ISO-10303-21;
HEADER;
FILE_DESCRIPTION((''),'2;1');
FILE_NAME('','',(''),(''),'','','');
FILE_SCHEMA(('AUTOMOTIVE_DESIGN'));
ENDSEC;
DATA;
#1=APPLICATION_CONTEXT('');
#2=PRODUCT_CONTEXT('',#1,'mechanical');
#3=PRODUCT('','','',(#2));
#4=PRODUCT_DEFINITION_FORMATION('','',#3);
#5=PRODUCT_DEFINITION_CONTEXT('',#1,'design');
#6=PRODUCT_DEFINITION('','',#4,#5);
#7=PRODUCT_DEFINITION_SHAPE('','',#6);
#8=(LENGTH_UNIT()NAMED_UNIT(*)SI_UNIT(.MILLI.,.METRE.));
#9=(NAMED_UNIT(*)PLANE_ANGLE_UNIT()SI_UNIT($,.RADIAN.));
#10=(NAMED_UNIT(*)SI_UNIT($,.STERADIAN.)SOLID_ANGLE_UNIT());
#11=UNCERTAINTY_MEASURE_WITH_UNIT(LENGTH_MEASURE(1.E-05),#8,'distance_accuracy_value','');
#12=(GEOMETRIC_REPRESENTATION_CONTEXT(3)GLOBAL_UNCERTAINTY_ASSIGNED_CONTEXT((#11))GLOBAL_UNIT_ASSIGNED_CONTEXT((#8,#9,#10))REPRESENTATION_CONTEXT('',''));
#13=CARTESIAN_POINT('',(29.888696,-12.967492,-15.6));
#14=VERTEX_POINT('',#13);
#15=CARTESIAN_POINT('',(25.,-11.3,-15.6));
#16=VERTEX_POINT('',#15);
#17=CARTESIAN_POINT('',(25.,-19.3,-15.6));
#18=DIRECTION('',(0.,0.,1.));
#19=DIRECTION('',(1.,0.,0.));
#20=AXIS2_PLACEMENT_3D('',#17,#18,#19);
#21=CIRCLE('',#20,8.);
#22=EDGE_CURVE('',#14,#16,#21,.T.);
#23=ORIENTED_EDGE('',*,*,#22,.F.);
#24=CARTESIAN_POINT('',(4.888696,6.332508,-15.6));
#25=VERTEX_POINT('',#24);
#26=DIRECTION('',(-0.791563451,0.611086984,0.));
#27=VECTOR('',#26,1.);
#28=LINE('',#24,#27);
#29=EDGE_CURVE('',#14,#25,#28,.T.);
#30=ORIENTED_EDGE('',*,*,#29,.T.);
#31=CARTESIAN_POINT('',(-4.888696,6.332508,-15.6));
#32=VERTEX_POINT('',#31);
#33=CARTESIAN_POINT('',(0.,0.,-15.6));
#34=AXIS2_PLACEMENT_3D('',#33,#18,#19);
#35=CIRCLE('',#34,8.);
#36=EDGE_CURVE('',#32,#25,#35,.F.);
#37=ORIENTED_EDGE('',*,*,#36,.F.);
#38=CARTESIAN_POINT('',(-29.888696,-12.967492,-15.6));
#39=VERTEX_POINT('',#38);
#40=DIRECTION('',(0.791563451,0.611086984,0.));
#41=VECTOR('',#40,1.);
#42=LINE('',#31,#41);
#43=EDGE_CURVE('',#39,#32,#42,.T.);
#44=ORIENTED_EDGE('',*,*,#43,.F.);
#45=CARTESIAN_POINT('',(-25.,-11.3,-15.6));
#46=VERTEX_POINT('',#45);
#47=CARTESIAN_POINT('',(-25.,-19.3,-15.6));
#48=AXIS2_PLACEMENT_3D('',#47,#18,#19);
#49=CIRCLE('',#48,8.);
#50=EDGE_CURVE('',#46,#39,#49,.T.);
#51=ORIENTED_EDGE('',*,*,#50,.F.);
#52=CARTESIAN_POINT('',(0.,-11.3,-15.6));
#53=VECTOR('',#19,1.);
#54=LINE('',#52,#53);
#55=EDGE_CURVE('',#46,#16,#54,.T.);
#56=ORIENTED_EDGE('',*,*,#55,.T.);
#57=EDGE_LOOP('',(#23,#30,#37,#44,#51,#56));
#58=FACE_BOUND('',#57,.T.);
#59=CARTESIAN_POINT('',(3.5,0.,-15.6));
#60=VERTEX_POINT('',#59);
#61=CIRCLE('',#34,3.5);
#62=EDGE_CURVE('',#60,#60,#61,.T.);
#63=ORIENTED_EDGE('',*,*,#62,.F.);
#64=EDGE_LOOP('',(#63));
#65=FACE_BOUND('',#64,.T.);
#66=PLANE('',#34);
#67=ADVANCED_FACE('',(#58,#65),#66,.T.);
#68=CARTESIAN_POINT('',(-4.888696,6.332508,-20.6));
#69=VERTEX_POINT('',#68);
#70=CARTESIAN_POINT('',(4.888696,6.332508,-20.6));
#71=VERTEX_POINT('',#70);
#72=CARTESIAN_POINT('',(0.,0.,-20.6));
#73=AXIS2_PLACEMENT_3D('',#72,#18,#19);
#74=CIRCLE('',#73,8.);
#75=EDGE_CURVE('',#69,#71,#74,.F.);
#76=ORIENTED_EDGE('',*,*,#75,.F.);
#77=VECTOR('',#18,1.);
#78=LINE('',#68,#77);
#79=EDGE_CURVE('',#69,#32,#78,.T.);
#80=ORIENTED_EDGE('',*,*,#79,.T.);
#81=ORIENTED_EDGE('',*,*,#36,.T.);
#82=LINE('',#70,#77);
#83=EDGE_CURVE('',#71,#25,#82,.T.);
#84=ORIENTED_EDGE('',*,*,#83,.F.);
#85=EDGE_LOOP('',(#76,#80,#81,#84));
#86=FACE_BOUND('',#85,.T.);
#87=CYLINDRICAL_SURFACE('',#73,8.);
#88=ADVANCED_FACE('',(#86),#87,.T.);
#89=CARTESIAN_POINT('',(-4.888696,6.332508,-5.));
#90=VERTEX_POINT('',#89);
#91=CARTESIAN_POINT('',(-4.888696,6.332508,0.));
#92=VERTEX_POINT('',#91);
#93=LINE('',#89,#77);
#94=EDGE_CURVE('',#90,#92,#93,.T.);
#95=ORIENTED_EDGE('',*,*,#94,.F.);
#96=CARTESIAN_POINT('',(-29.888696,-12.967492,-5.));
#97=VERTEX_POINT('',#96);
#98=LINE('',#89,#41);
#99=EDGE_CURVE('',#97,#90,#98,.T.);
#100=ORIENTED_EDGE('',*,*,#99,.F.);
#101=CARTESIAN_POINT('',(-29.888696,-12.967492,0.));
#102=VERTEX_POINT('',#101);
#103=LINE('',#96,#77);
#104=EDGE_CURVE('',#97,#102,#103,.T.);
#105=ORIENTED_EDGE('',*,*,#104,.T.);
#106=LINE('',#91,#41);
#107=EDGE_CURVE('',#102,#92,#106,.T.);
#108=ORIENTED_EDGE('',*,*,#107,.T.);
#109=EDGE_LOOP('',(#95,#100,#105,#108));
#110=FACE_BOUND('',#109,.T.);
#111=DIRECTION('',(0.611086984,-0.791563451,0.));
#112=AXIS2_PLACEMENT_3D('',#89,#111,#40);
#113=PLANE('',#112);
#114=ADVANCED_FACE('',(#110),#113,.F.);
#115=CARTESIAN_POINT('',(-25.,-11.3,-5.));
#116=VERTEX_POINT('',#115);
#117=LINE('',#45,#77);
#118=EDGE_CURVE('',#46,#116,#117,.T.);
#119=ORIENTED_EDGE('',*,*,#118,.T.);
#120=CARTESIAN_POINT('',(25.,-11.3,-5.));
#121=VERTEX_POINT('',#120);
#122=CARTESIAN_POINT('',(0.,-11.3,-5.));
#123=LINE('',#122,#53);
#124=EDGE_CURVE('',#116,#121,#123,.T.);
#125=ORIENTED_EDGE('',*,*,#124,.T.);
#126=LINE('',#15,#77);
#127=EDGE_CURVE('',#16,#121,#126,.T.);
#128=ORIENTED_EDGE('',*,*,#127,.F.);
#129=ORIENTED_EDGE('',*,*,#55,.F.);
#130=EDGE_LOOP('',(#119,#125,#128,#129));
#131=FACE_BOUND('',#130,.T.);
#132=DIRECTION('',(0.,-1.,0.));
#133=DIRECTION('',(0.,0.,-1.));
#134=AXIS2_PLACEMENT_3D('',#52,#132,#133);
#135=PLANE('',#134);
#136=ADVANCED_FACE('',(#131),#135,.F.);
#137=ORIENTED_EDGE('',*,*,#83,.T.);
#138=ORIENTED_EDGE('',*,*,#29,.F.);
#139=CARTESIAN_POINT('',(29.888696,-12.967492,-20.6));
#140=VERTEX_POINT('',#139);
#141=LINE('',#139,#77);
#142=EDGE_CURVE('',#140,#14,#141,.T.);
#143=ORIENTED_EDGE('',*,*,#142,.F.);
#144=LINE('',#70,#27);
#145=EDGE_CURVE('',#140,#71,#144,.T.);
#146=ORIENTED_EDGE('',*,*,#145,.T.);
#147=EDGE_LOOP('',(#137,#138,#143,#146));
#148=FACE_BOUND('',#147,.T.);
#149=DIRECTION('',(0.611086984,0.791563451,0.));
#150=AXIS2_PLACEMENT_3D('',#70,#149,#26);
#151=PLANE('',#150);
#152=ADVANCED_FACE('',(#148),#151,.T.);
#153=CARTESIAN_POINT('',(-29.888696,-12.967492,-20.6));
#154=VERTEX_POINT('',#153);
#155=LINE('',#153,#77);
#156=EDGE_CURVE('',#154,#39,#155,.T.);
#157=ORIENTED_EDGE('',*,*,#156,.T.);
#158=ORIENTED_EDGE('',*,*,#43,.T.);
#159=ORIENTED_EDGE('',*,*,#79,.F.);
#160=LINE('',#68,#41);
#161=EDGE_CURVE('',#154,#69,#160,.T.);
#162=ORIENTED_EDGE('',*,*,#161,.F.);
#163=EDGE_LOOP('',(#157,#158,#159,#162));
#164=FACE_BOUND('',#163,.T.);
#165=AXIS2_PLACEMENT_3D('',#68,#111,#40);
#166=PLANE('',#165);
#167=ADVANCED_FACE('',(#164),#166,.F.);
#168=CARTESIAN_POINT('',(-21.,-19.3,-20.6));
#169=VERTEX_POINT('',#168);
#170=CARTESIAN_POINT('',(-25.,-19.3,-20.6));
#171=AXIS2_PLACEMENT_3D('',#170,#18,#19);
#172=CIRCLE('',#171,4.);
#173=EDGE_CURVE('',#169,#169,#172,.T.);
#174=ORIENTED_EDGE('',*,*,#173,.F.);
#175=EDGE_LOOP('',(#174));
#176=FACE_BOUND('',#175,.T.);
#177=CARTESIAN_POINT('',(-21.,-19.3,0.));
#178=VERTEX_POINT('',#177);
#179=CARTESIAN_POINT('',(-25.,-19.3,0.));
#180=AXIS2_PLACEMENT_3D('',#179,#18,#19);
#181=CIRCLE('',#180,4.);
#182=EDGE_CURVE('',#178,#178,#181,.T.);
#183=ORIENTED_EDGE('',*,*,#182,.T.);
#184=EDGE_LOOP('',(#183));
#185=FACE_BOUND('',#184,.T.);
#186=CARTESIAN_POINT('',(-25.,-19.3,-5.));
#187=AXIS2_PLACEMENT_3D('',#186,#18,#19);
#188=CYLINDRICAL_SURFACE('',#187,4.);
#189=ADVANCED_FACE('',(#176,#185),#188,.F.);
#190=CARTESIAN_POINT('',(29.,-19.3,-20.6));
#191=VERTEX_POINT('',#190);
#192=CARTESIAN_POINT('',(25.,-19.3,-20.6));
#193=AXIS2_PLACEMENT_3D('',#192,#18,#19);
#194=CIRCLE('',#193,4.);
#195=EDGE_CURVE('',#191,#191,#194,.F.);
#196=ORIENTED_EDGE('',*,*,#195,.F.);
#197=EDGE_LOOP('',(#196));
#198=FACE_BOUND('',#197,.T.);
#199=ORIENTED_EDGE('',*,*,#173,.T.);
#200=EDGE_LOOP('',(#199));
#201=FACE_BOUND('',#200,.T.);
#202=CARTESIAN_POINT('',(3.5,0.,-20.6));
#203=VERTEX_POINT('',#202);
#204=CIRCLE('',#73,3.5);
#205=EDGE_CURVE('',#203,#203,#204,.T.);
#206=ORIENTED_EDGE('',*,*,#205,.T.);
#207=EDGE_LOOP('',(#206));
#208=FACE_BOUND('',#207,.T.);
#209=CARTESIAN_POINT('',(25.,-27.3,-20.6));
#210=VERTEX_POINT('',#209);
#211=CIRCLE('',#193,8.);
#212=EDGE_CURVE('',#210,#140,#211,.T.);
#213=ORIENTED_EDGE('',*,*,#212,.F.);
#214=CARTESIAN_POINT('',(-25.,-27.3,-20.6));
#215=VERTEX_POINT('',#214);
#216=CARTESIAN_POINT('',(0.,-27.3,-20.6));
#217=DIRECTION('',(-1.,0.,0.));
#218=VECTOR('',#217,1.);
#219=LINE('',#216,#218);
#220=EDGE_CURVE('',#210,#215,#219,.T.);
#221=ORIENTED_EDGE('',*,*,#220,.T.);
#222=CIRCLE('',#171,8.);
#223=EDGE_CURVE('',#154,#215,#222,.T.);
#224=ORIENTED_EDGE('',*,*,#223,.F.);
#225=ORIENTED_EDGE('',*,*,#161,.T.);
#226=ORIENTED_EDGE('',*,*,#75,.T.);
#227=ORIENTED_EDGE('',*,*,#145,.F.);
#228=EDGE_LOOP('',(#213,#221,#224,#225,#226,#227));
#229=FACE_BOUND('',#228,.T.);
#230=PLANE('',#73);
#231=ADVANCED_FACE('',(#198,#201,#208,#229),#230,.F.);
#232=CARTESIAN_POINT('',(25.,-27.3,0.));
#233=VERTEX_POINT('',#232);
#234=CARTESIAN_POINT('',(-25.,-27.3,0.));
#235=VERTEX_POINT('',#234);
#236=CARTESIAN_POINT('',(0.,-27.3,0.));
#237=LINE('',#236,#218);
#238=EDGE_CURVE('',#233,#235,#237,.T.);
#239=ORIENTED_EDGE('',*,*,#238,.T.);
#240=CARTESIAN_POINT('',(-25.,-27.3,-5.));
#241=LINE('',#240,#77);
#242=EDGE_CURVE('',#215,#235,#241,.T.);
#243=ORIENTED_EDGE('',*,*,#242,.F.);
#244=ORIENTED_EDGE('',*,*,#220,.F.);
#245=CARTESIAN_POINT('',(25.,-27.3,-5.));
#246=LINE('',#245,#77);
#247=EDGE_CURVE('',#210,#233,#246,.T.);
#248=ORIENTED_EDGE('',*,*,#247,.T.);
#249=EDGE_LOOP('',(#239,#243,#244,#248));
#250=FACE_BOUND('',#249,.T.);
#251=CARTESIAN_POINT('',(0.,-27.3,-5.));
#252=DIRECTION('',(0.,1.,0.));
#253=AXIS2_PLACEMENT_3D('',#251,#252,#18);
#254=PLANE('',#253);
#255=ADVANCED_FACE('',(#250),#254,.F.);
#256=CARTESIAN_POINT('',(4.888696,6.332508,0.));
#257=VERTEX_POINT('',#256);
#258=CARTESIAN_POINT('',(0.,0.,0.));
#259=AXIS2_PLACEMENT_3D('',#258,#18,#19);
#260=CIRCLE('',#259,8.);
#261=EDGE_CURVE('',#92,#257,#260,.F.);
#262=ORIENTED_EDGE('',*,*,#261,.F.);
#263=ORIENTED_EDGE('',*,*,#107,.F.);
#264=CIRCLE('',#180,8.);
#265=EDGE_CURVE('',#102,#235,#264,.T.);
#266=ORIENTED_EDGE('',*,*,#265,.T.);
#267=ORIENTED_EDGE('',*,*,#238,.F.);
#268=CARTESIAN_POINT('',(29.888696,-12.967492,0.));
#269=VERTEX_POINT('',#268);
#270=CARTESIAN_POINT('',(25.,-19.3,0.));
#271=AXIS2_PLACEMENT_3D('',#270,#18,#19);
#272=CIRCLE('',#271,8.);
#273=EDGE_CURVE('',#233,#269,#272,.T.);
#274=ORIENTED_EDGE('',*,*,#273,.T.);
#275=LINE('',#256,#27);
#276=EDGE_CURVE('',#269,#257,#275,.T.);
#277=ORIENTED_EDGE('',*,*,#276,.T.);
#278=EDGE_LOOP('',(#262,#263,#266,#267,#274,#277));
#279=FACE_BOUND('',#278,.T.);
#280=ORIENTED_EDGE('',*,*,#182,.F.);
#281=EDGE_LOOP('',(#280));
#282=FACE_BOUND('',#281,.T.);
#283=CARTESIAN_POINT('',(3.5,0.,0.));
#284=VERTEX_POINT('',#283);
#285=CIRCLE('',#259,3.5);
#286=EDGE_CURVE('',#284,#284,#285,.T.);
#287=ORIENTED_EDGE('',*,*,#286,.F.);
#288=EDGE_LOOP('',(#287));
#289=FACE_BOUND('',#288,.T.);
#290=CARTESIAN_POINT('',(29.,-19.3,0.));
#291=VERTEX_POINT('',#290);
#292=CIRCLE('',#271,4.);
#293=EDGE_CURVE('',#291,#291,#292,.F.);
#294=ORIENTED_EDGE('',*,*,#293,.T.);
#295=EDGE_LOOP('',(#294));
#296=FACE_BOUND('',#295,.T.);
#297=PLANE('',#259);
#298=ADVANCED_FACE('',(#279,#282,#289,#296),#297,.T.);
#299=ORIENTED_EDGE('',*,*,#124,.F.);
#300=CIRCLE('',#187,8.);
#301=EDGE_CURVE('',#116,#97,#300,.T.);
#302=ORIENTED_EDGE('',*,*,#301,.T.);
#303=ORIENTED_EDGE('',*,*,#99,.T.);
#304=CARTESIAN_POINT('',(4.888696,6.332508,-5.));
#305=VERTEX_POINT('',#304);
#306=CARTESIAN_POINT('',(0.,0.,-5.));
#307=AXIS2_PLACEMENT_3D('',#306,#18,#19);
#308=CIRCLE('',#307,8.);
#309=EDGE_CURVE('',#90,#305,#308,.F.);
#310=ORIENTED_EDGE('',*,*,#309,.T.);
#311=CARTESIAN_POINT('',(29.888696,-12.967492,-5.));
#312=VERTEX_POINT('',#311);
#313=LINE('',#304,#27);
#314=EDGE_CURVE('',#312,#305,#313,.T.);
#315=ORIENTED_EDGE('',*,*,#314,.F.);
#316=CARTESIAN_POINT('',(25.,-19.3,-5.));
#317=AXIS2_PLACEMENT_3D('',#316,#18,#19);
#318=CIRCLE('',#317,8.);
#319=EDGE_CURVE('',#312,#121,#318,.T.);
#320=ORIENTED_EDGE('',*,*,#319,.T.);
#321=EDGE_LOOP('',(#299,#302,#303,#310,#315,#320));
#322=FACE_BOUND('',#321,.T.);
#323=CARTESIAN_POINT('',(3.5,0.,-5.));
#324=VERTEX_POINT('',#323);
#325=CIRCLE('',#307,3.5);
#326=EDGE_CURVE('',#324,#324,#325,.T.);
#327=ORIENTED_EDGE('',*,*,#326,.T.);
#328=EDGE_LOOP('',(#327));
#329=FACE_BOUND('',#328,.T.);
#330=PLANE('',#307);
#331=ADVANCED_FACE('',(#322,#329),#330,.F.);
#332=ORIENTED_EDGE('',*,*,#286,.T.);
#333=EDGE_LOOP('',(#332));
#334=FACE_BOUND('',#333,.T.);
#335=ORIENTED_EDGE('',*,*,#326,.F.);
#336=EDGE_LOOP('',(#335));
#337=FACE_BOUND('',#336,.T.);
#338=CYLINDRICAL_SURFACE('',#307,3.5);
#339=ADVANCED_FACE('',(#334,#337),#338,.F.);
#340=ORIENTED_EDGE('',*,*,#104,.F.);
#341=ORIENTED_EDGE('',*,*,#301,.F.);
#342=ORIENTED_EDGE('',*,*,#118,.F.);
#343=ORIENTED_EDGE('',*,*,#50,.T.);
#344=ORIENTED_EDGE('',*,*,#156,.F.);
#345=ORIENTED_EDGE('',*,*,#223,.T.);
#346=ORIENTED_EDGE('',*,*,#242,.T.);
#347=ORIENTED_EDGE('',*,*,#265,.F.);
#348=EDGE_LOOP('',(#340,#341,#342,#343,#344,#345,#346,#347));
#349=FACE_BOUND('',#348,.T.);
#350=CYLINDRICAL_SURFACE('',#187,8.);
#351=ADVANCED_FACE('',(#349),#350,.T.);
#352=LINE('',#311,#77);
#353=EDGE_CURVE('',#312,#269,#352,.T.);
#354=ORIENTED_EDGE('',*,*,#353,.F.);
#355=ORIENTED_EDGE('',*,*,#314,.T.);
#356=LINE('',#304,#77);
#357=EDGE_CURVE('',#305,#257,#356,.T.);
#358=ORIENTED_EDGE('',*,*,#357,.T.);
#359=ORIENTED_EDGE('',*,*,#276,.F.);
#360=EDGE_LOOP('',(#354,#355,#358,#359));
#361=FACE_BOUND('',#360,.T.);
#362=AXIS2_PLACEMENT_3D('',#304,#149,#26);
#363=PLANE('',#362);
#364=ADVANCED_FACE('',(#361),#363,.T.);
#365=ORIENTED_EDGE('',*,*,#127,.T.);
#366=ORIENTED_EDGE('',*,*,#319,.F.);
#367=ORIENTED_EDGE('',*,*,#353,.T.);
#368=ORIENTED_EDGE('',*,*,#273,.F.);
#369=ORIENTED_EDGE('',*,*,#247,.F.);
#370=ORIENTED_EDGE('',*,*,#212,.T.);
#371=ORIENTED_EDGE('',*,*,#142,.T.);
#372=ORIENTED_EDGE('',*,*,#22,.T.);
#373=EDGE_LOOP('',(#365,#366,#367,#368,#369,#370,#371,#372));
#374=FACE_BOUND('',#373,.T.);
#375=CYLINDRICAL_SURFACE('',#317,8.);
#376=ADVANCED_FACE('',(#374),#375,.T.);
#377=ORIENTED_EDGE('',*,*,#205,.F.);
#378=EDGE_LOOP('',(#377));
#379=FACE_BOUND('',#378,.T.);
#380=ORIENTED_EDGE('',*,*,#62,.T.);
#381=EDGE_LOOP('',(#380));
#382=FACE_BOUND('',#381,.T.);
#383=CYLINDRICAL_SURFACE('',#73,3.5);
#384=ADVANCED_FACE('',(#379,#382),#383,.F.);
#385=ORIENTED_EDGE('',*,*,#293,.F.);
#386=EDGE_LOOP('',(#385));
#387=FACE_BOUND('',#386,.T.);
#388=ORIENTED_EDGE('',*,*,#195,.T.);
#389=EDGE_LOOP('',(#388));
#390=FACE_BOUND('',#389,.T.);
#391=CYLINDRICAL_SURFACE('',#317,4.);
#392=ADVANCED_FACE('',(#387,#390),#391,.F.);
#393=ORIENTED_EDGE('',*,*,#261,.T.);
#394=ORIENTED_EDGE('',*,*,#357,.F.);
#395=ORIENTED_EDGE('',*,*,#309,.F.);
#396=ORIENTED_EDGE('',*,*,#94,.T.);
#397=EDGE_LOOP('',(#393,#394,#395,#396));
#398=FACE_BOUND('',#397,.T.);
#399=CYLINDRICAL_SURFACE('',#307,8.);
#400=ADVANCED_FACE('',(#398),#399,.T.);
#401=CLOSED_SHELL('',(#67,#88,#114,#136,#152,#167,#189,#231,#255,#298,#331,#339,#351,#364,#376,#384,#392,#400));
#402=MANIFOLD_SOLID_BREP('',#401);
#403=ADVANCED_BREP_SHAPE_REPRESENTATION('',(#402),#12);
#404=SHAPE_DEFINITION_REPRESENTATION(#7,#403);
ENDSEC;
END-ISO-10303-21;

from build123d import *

# Parameters (mm, degrees)
SKETCH1_R           = 4
BOSS_EXTRUDE1_DEPTH = 5
BOSS_EXTRUDE2_START = -15.6
SKETCH1_3_R         = 4
BOSS_EXTRUDE2_DEPTH = 10.6
BOSS_EXTRUDE3_START = -15.6
SKETCH1_4_R         = 4
BOSS_EXTRUDE3_DEPTH = 5


with BuildPart() as part:
    # Sketch1 → Boss-Extrude1 (new body)
    # profile 1 of 6: a face of its own
    with BuildSketch(Plane.XY):
        with BuildLine():
            ThreePointArc((-25, -11.3), (-27.58262842, -11.728340311), (-29.888695875, -12.967492389))
            ThreePointArc((-29.888695875, -12.967492389), (-32.571659689, -21.88262842), (-25, -27.3))
            Line((-25, -27.3), (0, -27.3))
            Line((0, -27.3), (0, -11.3))
            Line((0, -11.3), (-25, -11.3))
        make_face()
        with Locations((-25, -19.3)):
            Circle(SKETCH1_R, mode=Mode.SUBTRACT)
    # profile 2 of 6: a face of its own
    with BuildSketch(Plane.XY):
        with BuildLine():
            ThreePointArc((25, -27.3), (32.571659689, -21.88262842), (29.888695875, -12.967492389))
            ThreePointArc((29.888695875, -12.967492389), (27.58262842, -11.728340311), (25, -11.3))
            Line((25, -11.3), (0, -11.3))
            Line((0, -11.3), (0, -27.3))
            Line((0, -27.3), (25, -27.3))
        make_face()
        with Locations((25, -19.3)):
            Circle(SKETCH1_R, mode=Mode.SUBTRACT)
    # profile 3 of 6: a face of its own
    with BuildSketch(Plane.XY):
        with BuildLine():
            Line((29.888695875, -12.967492389), (10.864868878, 1.718902053))
            ThreePointArc((10.864868878, 1.718902053), (10.966165183, 0.862102762), (11, 0))
            ThreePointArc((11, 0), (7.778174593, -7.778174593), (0, -11))
            Line((0, -11), (0, -11.3))
            Line((0, -11.3), (25, -11.3))
            ThreePointArc((25, -11.3), (27.58262842, -11.728340311), (29.888695875, -12.967492389))
        make_face()
    # profile 4 of 6: a face of its own
    with BuildSketch(Plane.XY):
        with BuildLine():
            ThreePointArc((4.888695875, 6.332507611), (2.58262842, 7.571659689), (0, 8))
            Line((0, 8), (0, 3.5))
            ThreePointArc((0, 3.5), (2.474873734, 2.474873734), (3.5, 0))
            ThreePointArc((3.5, 0), (2.474873734, -2.474873734), (0, -3.5))
            Line((0, -3.5), (0, -11))
            ThreePointArc((0, -11), (7.778174593, -7.778174593), (11, 0))
            ThreePointArc((11, 0), (10.966165183, 0.862102762), (10.864868878, 1.718902053))
            Line((10.864868878, 1.718902053), (4.888695875, 6.332507611))
        make_face()
    # profile 5 of 6: a face of its own
    with BuildSketch(Plane.XY):
        with BuildLine():
            Line((0, 3.5), (0, 8))
            ThreePointArc((0, 8), (-2.58262842, 7.571659689), (-4.888695875, 6.332507611))
            Line((-4.888695875, 6.332507611), (-10.864868878, 1.718902053))
            ThreePointArc((-10.864868878, 1.718902053), (-8.363848474, -7.144651056), (0, -11))
            Line((0, -11), (0, -3.5))
            ThreePointArc((0, -3.5), (-3.5, 0), (0, 3.5))
        make_face()
    # profile 6 of 6: a face of its own
    with BuildSketch(Plane.XY):
        with BuildLine():
            ThreePointArc((0, -11), (-8.363848474, -7.144651056), (-10.864868878, 1.718902053))
            Line((-10.864868878, 1.718902053), (-29.888695875, -12.967492389))
            ThreePointArc((-29.888695875, -12.967492389), (-27.58262842, -11.728340311), (-25, -11.3))
            Line((-25, -11.3), (0, -11.3))
            Line((0, -11.3), (0, -11))
        make_face()
    extrude(amount=-BOSS_EXTRUDE1_DEPTH)

    # Sketch1<3> → Boss-Extrude2 (add)
    with BuildSketch(Plane.XY.offset(BOSS_EXTRUDE2_START)):
        with BuildLine():
            Line((-25, -27.3), (25, -27.3))
            ThreePointArc((25, -27.3), (32.571659689, -21.88262842), (29.888695875, -12.967492389))
            ThreePointArc((29.888695875, -12.967492389), (27.58262842, -11.728340311), (25, -11.3))
            Line((25, -11.3), (-25, -11.3))
            ThreePointArc((-25, -11.3), (-27.58262842, -11.728340311), (-29.888695875, -12.967492389))
            ThreePointArc((-29.888695875, -12.967492389), (-32.571659689, -21.88262842), (-25, -27.3))
        make_face()
        with Locations((-25, -19.3)):
            Circle(SKETCH1_3_R, mode=Mode.SUBTRACT)
        with Locations((25, -19.3)):
            Circle(SKETCH1_3_R, mode=Mode.SUBTRACT)
    extrude(amount=BOSS_EXTRUDE2_DEPTH)

    # Sketch1<4> → Boss-Extrude3 (add)
    # profile 1 of 6: a face of its own
    with BuildSketch(Plane.XY.offset(BOSS_EXTRUDE3_START)):
        with BuildLine():
            ThreePointArc((0, -11), (-8.363848474, -7.144651056), (-10.864868878, 1.718902053))
            Line((-10.864868878, 1.718902053), (-29.888695875, -12.967492389))
            ThreePointArc((-29.888695875, -12.967492389), (-27.58262842, -11.728340311), (-25, -11.3))
            Line((-25, -11.3), (0, -11.3))
            Line((0, -11.3), (0, -11))
        make_face()
    # profile 2 of 6: a face of its own
    with BuildSketch(Plane.XY.offset(BOSS_EXTRUDE3_START)):
        with BuildLine():
            Line((0, 3.5), (0, 8))
            ThreePointArc((0, 8), (-2.58262842, 7.571659689), (-4.888695875, 6.332507611))
            Line((-4.888695875, 6.332507611), (-10.864868878, 1.718902053))
            ThreePointArc((-10.864868878, 1.718902053), (-8.363848474, -7.144651056), (0, -11))
            Line((0, -11), (0, -3.5))
            ThreePointArc((0, -3.5), (-3.5, 0), (0, 3.5))
        make_face()
    # profile 3 of 6: a face of its own
    with BuildSketch(Plane.XY.offset(BOSS_EXTRUDE3_START)):
        with BuildLine():
            ThreePointArc((4.888695875, 6.332507611), (2.58262842, 7.571659689), (0, 8))
            Line((0, 8), (0, 3.5))
            ThreePointArc((0, 3.5), (2.474873734, 2.474873734), (3.5, 0))
            ThreePointArc((3.5, 0), (2.474873734, -2.474873734), (0, -3.5))
            Line((0, -3.5), (0, -11))
            ThreePointArc((0, -11), (7.778174593, -7.778174593), (11, 0))
            ThreePointArc((11, 0), (10.966165183, 0.862102762), (10.864868878, 1.718902053))
            Line((10.864868878, 1.718902053), (4.888695875, 6.332507611))
        make_face()
    # profile 4 of 6: a face of its own
    with BuildSketch(Plane.XY.offset(BOSS_EXTRUDE3_START)):
        with BuildLine():
            Line((29.888695875, -12.967492389), (10.864868878, 1.718902053))
            ThreePointArc((10.864868878, 1.718902053), (10.966165183, 0.862102762), (11, 0))
            ThreePointArc((11, 0), (7.778174593, -7.778174593), (0, -11))
            Line((0, -11), (0, -11.3))
            Line((0, -11.3), (25, -11.3))
            ThreePointArc((25, -11.3), (27.58262842, -11.728340311), (29.888695875, -12.967492389))
        make_face()
    # profile 5 of 6: a face of its own
    with BuildSketch(Plane.XY.offset(BOSS_EXTRUDE3_START)):
        with BuildLine():
            ThreePointArc((25, -27.3), (32.571659689, -21.88262842), (29.888695875, -12.967492389))
            ThreePointArc((29.888695875, -12.967492389), (27.58262842, -11.728340311), (25, -11.3))
            Line((25, -11.3), (0, -11.3))
            Line((0, -11.3), (0, -27.3))
            Line((0, -27.3), (25, -27.3))
        make_face()
        with Locations((25, -19.3)):
            Circle(SKETCH1_4_R, mode=Mode.SUBTRACT)
    # profile 6 of 6: a face of its own
    with BuildSketch(Plane.XY.offset(BOSS_EXTRUDE3_START)):
        with BuildLine():
            ThreePointArc((-25, -11.3), (-27.58262842, -11.728340311), (-29.888695875, -12.967492389))
            ThreePointArc((-29.888695875, -12.967492389), (-32.571659689, -21.88262842), (-25, -27.3))
            Line((-25, -27.3), (0, -27.3))
            Line((0, -27.3), (0, -11.3))
            Line((0, -11.3), (-25, -11.3))
        make_face()
        with Locations((-25, -19.3)):
            Circle(SKETCH1_4_R, mode=Mode.SUBTRACT)
    extrude(amount=-BOSS_EXTRUDE3_DEPTH)


solid = part.part
